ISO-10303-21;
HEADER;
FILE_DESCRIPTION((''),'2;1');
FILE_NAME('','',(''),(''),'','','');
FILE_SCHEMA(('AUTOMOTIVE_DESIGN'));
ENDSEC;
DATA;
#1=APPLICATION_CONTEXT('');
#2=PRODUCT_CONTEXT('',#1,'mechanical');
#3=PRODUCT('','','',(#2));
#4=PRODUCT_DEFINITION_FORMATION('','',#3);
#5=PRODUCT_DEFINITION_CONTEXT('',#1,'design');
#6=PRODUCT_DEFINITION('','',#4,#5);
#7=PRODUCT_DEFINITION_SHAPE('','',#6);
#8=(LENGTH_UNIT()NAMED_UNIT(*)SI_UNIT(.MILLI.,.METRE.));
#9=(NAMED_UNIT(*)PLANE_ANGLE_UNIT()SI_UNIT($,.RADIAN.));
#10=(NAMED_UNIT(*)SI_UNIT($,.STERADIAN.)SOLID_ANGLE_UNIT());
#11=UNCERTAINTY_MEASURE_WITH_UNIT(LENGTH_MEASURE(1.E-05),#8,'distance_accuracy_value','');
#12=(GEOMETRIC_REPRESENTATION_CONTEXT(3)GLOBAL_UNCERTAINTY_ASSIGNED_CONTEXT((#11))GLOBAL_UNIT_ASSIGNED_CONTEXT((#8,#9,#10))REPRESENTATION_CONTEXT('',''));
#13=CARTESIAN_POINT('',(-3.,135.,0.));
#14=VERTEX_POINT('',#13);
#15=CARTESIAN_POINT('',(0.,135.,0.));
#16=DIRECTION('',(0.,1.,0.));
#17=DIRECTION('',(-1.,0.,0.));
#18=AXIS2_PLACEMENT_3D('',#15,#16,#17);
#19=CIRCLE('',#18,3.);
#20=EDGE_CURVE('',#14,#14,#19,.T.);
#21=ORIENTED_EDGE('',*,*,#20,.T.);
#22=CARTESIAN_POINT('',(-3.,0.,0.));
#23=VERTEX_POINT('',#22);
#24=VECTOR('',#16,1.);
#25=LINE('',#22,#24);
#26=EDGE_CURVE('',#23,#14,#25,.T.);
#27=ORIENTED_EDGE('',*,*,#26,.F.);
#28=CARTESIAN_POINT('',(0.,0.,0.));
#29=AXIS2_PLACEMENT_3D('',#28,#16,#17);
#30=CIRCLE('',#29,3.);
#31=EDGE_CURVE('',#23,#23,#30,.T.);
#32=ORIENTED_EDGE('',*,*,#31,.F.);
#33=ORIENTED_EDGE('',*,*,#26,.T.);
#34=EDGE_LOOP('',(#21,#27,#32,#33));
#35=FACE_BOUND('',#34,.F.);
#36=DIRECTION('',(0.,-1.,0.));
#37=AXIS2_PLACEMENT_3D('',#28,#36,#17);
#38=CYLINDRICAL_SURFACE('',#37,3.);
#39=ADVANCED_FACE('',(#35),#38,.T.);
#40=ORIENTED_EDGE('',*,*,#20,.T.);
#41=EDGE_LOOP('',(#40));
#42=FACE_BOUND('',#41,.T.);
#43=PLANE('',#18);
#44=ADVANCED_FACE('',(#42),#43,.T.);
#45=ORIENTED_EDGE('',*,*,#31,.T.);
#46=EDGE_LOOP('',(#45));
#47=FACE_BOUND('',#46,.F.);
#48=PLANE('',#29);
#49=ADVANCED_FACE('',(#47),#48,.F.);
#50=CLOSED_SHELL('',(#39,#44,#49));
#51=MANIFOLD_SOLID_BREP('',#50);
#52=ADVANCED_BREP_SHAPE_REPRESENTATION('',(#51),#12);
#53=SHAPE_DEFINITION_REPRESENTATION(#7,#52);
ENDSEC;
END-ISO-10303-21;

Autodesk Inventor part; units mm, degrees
ref_plane "YZ Plane" through (0, 0, 0) normal (1, 0, 0) x (0, 1, 0)
ref_plane "XZ Plane" through (0, 0, 0) normal (0, 1, 0) x (-1, 0, 0)
ref_plane "XY Plane" through (0, 0, 0) normal (0, 0, 1) x (1, 0, 0)
sketch "Skizze1" plane through (0, 0, 0) normal (0, 1, 0) x (-1, 0, 0)
  circle A0 centre (0, 0) radius 3
  dimension "d0" = 6
extrude "Extrusion1" add sketch "Skizze1" along normal blind 135
properties part number "Welle"
